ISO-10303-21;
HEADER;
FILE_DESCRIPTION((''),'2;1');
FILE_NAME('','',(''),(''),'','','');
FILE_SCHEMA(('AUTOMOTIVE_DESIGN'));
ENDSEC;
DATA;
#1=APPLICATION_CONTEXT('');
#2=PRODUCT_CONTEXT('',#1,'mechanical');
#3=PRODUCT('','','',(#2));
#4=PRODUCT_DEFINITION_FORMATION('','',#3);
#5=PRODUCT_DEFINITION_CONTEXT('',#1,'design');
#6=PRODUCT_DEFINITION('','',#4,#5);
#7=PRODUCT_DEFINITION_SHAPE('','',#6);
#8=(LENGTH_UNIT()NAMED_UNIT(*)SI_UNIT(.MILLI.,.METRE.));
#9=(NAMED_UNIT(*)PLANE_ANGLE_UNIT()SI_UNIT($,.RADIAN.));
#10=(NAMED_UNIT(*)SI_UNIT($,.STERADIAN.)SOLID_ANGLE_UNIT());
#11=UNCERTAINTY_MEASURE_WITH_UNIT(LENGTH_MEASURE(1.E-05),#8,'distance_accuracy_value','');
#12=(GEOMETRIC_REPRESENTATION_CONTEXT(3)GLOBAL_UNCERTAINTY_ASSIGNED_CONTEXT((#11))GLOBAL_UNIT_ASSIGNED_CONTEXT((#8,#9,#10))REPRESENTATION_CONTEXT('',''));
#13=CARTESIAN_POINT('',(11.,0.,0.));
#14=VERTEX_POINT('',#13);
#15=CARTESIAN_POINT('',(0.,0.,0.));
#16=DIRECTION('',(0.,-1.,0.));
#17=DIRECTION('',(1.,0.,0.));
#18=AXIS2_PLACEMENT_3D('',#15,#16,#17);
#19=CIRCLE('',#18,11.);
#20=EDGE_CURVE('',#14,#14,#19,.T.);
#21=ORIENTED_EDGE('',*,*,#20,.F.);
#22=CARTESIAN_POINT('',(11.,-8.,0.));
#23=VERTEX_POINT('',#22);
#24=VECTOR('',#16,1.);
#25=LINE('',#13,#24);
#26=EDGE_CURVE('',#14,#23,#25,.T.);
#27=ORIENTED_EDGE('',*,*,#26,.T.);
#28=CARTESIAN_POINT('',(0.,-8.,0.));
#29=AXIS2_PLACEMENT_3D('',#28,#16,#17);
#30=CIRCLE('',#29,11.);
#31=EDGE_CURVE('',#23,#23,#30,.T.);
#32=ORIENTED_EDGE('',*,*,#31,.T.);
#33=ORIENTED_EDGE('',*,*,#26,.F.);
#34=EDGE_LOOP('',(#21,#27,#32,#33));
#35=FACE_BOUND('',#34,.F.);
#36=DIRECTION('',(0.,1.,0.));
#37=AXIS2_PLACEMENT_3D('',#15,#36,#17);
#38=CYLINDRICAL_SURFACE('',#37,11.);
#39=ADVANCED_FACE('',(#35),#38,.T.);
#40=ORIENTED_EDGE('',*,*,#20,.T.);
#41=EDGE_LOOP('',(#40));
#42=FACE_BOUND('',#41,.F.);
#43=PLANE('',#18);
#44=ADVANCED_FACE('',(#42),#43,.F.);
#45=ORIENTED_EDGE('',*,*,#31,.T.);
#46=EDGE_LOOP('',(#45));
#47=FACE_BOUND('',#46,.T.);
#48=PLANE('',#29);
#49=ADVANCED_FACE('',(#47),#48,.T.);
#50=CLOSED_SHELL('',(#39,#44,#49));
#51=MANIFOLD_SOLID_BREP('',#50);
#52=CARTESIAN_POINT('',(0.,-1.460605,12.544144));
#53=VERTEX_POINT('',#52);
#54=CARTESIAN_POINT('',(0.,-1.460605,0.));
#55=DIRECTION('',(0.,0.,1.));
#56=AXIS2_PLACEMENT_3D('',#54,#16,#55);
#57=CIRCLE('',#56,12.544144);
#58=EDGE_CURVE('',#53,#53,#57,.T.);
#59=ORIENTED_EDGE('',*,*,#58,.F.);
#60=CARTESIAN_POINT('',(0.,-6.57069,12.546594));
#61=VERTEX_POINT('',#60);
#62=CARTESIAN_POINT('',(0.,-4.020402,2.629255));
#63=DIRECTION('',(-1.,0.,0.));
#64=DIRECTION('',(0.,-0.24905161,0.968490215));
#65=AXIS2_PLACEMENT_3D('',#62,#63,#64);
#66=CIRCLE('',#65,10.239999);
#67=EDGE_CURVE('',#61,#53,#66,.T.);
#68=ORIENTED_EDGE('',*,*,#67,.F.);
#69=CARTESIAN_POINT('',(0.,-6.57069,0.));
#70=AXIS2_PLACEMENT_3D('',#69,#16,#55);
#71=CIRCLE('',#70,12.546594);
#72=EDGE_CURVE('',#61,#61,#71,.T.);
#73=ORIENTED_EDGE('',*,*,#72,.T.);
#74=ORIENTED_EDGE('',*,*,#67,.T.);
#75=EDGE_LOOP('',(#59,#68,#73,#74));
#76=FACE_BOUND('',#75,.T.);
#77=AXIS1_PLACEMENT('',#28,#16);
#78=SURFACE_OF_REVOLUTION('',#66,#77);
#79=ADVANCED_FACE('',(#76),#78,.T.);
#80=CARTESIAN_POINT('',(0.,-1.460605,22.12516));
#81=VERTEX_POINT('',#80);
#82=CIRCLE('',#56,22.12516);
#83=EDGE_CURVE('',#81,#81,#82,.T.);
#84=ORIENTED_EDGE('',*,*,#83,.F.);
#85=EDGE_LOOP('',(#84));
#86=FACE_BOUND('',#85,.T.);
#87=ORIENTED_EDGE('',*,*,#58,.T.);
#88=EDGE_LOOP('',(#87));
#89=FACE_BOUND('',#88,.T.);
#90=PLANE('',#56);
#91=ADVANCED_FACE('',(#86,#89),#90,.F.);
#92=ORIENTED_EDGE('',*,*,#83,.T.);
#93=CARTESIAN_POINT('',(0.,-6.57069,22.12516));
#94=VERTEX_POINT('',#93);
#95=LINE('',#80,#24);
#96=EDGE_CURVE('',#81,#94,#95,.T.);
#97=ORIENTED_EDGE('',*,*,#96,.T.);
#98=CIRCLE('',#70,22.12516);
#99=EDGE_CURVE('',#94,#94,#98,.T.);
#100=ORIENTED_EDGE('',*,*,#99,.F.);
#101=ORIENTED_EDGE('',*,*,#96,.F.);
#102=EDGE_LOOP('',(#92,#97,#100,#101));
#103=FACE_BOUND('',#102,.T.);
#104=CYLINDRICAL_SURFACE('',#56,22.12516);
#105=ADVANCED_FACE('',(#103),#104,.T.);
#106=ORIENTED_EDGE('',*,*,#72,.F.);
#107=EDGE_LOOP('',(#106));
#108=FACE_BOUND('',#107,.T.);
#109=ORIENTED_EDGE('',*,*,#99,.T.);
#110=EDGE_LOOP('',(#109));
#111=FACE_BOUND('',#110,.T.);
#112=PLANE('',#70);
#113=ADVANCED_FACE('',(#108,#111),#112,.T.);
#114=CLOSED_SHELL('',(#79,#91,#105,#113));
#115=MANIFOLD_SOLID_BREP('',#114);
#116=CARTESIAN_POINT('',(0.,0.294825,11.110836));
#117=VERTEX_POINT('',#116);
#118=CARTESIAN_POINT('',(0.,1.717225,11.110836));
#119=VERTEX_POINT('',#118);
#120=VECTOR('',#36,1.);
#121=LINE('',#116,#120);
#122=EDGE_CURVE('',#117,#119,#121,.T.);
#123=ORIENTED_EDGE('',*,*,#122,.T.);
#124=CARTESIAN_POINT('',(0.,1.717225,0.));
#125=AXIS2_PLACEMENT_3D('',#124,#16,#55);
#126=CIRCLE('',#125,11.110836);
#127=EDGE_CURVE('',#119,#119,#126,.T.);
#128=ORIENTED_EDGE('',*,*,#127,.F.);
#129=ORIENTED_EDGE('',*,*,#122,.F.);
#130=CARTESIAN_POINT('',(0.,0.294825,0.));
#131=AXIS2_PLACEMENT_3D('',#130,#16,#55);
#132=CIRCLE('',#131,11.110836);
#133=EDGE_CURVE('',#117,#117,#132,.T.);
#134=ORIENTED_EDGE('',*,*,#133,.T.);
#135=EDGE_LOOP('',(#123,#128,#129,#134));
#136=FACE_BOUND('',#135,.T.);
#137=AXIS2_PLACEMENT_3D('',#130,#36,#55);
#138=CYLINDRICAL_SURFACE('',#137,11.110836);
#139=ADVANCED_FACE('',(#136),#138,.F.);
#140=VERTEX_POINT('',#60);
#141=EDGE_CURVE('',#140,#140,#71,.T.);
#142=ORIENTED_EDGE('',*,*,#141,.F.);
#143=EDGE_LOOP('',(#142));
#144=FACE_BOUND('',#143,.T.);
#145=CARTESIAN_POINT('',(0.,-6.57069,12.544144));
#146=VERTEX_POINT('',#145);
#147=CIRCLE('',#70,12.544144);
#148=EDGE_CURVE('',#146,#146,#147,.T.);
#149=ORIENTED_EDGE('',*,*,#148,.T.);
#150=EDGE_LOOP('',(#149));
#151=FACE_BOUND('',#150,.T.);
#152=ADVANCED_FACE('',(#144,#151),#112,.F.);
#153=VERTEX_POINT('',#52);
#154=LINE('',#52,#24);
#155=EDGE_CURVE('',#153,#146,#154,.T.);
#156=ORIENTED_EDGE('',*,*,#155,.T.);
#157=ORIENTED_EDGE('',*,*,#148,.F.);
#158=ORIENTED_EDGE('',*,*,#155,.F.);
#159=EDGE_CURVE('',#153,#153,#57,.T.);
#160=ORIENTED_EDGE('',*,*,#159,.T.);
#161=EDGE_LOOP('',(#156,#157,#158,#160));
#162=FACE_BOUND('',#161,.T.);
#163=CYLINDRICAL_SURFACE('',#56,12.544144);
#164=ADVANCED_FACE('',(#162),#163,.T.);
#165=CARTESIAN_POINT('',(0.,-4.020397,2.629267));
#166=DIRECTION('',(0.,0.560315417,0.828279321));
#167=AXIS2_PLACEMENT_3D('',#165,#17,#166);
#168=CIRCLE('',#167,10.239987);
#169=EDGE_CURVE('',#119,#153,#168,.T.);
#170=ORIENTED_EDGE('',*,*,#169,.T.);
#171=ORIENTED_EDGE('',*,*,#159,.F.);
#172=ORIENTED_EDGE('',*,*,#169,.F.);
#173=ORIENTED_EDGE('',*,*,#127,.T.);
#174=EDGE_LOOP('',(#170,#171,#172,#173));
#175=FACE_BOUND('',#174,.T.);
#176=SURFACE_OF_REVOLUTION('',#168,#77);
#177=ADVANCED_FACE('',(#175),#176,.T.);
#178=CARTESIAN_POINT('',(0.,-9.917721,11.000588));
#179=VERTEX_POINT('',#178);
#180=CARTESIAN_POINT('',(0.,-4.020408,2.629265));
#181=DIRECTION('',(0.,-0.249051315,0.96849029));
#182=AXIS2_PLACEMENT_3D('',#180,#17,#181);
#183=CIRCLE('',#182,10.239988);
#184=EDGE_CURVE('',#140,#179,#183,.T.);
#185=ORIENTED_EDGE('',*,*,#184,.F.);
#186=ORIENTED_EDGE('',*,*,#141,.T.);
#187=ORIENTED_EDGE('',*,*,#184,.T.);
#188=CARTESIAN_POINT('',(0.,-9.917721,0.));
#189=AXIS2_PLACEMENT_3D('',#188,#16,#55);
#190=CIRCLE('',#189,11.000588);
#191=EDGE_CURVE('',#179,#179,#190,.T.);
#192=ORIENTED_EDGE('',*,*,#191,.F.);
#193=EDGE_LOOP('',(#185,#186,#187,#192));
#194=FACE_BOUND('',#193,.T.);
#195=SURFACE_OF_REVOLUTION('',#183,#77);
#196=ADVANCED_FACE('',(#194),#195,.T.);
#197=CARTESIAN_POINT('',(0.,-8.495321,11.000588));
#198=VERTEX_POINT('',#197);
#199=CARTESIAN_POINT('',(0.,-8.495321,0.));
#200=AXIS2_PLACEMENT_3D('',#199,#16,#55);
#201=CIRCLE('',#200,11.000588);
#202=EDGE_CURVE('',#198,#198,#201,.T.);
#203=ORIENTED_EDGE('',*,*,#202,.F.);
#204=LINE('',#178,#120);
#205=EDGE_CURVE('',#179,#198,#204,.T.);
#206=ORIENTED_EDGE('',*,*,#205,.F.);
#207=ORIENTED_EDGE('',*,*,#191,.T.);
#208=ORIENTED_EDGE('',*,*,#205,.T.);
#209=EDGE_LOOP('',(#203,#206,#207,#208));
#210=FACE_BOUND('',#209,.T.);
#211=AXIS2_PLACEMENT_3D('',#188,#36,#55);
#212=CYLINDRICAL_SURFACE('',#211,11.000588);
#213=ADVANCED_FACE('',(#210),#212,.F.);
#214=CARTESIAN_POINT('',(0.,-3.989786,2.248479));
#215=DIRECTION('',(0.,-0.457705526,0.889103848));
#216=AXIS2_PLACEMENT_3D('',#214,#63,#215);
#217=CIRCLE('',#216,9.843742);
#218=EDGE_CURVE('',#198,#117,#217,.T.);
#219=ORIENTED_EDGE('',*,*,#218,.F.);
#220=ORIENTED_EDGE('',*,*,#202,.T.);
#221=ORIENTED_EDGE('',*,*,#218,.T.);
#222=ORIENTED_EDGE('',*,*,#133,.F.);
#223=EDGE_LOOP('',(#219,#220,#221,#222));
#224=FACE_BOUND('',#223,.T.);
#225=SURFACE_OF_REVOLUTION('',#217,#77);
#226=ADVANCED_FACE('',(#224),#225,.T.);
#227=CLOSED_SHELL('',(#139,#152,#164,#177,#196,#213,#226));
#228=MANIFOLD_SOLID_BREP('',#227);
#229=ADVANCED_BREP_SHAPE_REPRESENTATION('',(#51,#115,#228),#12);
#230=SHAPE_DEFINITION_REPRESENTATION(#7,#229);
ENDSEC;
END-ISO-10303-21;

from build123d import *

# Parameters (mm, degrees)
F0_R     = 11
F1_DEPTH = 8


with BuildPart() as f1:
    # F0 (on Front) → F1 (new body)
    with BuildSketch(Plane.XZ):
        Circle(F0_R)
    extrude(amount=F1_DEPTH)


with BuildPart() as f3:
    # F2 (on Right) → F3 (revolve)
    with BuildSketch(Plane.YZ):
        with BuildLine():
            ThreePointArc((-6.57069, 12.546594), (-4.015492, 12.869253), (-1.460605, 12.544144))
            Line((-1.460605, 12.544144), (-1.460605, 22.12516))
            Line((-1.460605, 22.12516), (-6.57069, 22.12516))
            Line((-6.57069, 22.12516), (-6.57069, 12.546594))
        make_face()
        with BuildLine():
            Line((0.294825, 11.110836), (1.717225, 11.110836))
            ThreePointArc((1.717225, 11.110836), (0.189753, 11.963717), (-1.460605, 12.544144))
            Line((-1.460605, 12.544144), (-6.57069, 12.544144))
            Line((-6.57069, 12.544144), (-6.57069, 12.546594))
            ThreePointArc((-6.57069, 12.546594), (-8.314357, 11.925466), (-9.917721, 11.000588))
            Line((-9.917721, 11.000588), (-8.495321, 11.000588))
            ThreePointArc((-8.495321, 11.000588), (-4.113239, 12.091447), (0.294825, 11.110836))
        make_face()
    revolve(axis=Axis((0, -8, 0), (0, -1, 0)))


solid = Compound([f1.part, f3.part])
